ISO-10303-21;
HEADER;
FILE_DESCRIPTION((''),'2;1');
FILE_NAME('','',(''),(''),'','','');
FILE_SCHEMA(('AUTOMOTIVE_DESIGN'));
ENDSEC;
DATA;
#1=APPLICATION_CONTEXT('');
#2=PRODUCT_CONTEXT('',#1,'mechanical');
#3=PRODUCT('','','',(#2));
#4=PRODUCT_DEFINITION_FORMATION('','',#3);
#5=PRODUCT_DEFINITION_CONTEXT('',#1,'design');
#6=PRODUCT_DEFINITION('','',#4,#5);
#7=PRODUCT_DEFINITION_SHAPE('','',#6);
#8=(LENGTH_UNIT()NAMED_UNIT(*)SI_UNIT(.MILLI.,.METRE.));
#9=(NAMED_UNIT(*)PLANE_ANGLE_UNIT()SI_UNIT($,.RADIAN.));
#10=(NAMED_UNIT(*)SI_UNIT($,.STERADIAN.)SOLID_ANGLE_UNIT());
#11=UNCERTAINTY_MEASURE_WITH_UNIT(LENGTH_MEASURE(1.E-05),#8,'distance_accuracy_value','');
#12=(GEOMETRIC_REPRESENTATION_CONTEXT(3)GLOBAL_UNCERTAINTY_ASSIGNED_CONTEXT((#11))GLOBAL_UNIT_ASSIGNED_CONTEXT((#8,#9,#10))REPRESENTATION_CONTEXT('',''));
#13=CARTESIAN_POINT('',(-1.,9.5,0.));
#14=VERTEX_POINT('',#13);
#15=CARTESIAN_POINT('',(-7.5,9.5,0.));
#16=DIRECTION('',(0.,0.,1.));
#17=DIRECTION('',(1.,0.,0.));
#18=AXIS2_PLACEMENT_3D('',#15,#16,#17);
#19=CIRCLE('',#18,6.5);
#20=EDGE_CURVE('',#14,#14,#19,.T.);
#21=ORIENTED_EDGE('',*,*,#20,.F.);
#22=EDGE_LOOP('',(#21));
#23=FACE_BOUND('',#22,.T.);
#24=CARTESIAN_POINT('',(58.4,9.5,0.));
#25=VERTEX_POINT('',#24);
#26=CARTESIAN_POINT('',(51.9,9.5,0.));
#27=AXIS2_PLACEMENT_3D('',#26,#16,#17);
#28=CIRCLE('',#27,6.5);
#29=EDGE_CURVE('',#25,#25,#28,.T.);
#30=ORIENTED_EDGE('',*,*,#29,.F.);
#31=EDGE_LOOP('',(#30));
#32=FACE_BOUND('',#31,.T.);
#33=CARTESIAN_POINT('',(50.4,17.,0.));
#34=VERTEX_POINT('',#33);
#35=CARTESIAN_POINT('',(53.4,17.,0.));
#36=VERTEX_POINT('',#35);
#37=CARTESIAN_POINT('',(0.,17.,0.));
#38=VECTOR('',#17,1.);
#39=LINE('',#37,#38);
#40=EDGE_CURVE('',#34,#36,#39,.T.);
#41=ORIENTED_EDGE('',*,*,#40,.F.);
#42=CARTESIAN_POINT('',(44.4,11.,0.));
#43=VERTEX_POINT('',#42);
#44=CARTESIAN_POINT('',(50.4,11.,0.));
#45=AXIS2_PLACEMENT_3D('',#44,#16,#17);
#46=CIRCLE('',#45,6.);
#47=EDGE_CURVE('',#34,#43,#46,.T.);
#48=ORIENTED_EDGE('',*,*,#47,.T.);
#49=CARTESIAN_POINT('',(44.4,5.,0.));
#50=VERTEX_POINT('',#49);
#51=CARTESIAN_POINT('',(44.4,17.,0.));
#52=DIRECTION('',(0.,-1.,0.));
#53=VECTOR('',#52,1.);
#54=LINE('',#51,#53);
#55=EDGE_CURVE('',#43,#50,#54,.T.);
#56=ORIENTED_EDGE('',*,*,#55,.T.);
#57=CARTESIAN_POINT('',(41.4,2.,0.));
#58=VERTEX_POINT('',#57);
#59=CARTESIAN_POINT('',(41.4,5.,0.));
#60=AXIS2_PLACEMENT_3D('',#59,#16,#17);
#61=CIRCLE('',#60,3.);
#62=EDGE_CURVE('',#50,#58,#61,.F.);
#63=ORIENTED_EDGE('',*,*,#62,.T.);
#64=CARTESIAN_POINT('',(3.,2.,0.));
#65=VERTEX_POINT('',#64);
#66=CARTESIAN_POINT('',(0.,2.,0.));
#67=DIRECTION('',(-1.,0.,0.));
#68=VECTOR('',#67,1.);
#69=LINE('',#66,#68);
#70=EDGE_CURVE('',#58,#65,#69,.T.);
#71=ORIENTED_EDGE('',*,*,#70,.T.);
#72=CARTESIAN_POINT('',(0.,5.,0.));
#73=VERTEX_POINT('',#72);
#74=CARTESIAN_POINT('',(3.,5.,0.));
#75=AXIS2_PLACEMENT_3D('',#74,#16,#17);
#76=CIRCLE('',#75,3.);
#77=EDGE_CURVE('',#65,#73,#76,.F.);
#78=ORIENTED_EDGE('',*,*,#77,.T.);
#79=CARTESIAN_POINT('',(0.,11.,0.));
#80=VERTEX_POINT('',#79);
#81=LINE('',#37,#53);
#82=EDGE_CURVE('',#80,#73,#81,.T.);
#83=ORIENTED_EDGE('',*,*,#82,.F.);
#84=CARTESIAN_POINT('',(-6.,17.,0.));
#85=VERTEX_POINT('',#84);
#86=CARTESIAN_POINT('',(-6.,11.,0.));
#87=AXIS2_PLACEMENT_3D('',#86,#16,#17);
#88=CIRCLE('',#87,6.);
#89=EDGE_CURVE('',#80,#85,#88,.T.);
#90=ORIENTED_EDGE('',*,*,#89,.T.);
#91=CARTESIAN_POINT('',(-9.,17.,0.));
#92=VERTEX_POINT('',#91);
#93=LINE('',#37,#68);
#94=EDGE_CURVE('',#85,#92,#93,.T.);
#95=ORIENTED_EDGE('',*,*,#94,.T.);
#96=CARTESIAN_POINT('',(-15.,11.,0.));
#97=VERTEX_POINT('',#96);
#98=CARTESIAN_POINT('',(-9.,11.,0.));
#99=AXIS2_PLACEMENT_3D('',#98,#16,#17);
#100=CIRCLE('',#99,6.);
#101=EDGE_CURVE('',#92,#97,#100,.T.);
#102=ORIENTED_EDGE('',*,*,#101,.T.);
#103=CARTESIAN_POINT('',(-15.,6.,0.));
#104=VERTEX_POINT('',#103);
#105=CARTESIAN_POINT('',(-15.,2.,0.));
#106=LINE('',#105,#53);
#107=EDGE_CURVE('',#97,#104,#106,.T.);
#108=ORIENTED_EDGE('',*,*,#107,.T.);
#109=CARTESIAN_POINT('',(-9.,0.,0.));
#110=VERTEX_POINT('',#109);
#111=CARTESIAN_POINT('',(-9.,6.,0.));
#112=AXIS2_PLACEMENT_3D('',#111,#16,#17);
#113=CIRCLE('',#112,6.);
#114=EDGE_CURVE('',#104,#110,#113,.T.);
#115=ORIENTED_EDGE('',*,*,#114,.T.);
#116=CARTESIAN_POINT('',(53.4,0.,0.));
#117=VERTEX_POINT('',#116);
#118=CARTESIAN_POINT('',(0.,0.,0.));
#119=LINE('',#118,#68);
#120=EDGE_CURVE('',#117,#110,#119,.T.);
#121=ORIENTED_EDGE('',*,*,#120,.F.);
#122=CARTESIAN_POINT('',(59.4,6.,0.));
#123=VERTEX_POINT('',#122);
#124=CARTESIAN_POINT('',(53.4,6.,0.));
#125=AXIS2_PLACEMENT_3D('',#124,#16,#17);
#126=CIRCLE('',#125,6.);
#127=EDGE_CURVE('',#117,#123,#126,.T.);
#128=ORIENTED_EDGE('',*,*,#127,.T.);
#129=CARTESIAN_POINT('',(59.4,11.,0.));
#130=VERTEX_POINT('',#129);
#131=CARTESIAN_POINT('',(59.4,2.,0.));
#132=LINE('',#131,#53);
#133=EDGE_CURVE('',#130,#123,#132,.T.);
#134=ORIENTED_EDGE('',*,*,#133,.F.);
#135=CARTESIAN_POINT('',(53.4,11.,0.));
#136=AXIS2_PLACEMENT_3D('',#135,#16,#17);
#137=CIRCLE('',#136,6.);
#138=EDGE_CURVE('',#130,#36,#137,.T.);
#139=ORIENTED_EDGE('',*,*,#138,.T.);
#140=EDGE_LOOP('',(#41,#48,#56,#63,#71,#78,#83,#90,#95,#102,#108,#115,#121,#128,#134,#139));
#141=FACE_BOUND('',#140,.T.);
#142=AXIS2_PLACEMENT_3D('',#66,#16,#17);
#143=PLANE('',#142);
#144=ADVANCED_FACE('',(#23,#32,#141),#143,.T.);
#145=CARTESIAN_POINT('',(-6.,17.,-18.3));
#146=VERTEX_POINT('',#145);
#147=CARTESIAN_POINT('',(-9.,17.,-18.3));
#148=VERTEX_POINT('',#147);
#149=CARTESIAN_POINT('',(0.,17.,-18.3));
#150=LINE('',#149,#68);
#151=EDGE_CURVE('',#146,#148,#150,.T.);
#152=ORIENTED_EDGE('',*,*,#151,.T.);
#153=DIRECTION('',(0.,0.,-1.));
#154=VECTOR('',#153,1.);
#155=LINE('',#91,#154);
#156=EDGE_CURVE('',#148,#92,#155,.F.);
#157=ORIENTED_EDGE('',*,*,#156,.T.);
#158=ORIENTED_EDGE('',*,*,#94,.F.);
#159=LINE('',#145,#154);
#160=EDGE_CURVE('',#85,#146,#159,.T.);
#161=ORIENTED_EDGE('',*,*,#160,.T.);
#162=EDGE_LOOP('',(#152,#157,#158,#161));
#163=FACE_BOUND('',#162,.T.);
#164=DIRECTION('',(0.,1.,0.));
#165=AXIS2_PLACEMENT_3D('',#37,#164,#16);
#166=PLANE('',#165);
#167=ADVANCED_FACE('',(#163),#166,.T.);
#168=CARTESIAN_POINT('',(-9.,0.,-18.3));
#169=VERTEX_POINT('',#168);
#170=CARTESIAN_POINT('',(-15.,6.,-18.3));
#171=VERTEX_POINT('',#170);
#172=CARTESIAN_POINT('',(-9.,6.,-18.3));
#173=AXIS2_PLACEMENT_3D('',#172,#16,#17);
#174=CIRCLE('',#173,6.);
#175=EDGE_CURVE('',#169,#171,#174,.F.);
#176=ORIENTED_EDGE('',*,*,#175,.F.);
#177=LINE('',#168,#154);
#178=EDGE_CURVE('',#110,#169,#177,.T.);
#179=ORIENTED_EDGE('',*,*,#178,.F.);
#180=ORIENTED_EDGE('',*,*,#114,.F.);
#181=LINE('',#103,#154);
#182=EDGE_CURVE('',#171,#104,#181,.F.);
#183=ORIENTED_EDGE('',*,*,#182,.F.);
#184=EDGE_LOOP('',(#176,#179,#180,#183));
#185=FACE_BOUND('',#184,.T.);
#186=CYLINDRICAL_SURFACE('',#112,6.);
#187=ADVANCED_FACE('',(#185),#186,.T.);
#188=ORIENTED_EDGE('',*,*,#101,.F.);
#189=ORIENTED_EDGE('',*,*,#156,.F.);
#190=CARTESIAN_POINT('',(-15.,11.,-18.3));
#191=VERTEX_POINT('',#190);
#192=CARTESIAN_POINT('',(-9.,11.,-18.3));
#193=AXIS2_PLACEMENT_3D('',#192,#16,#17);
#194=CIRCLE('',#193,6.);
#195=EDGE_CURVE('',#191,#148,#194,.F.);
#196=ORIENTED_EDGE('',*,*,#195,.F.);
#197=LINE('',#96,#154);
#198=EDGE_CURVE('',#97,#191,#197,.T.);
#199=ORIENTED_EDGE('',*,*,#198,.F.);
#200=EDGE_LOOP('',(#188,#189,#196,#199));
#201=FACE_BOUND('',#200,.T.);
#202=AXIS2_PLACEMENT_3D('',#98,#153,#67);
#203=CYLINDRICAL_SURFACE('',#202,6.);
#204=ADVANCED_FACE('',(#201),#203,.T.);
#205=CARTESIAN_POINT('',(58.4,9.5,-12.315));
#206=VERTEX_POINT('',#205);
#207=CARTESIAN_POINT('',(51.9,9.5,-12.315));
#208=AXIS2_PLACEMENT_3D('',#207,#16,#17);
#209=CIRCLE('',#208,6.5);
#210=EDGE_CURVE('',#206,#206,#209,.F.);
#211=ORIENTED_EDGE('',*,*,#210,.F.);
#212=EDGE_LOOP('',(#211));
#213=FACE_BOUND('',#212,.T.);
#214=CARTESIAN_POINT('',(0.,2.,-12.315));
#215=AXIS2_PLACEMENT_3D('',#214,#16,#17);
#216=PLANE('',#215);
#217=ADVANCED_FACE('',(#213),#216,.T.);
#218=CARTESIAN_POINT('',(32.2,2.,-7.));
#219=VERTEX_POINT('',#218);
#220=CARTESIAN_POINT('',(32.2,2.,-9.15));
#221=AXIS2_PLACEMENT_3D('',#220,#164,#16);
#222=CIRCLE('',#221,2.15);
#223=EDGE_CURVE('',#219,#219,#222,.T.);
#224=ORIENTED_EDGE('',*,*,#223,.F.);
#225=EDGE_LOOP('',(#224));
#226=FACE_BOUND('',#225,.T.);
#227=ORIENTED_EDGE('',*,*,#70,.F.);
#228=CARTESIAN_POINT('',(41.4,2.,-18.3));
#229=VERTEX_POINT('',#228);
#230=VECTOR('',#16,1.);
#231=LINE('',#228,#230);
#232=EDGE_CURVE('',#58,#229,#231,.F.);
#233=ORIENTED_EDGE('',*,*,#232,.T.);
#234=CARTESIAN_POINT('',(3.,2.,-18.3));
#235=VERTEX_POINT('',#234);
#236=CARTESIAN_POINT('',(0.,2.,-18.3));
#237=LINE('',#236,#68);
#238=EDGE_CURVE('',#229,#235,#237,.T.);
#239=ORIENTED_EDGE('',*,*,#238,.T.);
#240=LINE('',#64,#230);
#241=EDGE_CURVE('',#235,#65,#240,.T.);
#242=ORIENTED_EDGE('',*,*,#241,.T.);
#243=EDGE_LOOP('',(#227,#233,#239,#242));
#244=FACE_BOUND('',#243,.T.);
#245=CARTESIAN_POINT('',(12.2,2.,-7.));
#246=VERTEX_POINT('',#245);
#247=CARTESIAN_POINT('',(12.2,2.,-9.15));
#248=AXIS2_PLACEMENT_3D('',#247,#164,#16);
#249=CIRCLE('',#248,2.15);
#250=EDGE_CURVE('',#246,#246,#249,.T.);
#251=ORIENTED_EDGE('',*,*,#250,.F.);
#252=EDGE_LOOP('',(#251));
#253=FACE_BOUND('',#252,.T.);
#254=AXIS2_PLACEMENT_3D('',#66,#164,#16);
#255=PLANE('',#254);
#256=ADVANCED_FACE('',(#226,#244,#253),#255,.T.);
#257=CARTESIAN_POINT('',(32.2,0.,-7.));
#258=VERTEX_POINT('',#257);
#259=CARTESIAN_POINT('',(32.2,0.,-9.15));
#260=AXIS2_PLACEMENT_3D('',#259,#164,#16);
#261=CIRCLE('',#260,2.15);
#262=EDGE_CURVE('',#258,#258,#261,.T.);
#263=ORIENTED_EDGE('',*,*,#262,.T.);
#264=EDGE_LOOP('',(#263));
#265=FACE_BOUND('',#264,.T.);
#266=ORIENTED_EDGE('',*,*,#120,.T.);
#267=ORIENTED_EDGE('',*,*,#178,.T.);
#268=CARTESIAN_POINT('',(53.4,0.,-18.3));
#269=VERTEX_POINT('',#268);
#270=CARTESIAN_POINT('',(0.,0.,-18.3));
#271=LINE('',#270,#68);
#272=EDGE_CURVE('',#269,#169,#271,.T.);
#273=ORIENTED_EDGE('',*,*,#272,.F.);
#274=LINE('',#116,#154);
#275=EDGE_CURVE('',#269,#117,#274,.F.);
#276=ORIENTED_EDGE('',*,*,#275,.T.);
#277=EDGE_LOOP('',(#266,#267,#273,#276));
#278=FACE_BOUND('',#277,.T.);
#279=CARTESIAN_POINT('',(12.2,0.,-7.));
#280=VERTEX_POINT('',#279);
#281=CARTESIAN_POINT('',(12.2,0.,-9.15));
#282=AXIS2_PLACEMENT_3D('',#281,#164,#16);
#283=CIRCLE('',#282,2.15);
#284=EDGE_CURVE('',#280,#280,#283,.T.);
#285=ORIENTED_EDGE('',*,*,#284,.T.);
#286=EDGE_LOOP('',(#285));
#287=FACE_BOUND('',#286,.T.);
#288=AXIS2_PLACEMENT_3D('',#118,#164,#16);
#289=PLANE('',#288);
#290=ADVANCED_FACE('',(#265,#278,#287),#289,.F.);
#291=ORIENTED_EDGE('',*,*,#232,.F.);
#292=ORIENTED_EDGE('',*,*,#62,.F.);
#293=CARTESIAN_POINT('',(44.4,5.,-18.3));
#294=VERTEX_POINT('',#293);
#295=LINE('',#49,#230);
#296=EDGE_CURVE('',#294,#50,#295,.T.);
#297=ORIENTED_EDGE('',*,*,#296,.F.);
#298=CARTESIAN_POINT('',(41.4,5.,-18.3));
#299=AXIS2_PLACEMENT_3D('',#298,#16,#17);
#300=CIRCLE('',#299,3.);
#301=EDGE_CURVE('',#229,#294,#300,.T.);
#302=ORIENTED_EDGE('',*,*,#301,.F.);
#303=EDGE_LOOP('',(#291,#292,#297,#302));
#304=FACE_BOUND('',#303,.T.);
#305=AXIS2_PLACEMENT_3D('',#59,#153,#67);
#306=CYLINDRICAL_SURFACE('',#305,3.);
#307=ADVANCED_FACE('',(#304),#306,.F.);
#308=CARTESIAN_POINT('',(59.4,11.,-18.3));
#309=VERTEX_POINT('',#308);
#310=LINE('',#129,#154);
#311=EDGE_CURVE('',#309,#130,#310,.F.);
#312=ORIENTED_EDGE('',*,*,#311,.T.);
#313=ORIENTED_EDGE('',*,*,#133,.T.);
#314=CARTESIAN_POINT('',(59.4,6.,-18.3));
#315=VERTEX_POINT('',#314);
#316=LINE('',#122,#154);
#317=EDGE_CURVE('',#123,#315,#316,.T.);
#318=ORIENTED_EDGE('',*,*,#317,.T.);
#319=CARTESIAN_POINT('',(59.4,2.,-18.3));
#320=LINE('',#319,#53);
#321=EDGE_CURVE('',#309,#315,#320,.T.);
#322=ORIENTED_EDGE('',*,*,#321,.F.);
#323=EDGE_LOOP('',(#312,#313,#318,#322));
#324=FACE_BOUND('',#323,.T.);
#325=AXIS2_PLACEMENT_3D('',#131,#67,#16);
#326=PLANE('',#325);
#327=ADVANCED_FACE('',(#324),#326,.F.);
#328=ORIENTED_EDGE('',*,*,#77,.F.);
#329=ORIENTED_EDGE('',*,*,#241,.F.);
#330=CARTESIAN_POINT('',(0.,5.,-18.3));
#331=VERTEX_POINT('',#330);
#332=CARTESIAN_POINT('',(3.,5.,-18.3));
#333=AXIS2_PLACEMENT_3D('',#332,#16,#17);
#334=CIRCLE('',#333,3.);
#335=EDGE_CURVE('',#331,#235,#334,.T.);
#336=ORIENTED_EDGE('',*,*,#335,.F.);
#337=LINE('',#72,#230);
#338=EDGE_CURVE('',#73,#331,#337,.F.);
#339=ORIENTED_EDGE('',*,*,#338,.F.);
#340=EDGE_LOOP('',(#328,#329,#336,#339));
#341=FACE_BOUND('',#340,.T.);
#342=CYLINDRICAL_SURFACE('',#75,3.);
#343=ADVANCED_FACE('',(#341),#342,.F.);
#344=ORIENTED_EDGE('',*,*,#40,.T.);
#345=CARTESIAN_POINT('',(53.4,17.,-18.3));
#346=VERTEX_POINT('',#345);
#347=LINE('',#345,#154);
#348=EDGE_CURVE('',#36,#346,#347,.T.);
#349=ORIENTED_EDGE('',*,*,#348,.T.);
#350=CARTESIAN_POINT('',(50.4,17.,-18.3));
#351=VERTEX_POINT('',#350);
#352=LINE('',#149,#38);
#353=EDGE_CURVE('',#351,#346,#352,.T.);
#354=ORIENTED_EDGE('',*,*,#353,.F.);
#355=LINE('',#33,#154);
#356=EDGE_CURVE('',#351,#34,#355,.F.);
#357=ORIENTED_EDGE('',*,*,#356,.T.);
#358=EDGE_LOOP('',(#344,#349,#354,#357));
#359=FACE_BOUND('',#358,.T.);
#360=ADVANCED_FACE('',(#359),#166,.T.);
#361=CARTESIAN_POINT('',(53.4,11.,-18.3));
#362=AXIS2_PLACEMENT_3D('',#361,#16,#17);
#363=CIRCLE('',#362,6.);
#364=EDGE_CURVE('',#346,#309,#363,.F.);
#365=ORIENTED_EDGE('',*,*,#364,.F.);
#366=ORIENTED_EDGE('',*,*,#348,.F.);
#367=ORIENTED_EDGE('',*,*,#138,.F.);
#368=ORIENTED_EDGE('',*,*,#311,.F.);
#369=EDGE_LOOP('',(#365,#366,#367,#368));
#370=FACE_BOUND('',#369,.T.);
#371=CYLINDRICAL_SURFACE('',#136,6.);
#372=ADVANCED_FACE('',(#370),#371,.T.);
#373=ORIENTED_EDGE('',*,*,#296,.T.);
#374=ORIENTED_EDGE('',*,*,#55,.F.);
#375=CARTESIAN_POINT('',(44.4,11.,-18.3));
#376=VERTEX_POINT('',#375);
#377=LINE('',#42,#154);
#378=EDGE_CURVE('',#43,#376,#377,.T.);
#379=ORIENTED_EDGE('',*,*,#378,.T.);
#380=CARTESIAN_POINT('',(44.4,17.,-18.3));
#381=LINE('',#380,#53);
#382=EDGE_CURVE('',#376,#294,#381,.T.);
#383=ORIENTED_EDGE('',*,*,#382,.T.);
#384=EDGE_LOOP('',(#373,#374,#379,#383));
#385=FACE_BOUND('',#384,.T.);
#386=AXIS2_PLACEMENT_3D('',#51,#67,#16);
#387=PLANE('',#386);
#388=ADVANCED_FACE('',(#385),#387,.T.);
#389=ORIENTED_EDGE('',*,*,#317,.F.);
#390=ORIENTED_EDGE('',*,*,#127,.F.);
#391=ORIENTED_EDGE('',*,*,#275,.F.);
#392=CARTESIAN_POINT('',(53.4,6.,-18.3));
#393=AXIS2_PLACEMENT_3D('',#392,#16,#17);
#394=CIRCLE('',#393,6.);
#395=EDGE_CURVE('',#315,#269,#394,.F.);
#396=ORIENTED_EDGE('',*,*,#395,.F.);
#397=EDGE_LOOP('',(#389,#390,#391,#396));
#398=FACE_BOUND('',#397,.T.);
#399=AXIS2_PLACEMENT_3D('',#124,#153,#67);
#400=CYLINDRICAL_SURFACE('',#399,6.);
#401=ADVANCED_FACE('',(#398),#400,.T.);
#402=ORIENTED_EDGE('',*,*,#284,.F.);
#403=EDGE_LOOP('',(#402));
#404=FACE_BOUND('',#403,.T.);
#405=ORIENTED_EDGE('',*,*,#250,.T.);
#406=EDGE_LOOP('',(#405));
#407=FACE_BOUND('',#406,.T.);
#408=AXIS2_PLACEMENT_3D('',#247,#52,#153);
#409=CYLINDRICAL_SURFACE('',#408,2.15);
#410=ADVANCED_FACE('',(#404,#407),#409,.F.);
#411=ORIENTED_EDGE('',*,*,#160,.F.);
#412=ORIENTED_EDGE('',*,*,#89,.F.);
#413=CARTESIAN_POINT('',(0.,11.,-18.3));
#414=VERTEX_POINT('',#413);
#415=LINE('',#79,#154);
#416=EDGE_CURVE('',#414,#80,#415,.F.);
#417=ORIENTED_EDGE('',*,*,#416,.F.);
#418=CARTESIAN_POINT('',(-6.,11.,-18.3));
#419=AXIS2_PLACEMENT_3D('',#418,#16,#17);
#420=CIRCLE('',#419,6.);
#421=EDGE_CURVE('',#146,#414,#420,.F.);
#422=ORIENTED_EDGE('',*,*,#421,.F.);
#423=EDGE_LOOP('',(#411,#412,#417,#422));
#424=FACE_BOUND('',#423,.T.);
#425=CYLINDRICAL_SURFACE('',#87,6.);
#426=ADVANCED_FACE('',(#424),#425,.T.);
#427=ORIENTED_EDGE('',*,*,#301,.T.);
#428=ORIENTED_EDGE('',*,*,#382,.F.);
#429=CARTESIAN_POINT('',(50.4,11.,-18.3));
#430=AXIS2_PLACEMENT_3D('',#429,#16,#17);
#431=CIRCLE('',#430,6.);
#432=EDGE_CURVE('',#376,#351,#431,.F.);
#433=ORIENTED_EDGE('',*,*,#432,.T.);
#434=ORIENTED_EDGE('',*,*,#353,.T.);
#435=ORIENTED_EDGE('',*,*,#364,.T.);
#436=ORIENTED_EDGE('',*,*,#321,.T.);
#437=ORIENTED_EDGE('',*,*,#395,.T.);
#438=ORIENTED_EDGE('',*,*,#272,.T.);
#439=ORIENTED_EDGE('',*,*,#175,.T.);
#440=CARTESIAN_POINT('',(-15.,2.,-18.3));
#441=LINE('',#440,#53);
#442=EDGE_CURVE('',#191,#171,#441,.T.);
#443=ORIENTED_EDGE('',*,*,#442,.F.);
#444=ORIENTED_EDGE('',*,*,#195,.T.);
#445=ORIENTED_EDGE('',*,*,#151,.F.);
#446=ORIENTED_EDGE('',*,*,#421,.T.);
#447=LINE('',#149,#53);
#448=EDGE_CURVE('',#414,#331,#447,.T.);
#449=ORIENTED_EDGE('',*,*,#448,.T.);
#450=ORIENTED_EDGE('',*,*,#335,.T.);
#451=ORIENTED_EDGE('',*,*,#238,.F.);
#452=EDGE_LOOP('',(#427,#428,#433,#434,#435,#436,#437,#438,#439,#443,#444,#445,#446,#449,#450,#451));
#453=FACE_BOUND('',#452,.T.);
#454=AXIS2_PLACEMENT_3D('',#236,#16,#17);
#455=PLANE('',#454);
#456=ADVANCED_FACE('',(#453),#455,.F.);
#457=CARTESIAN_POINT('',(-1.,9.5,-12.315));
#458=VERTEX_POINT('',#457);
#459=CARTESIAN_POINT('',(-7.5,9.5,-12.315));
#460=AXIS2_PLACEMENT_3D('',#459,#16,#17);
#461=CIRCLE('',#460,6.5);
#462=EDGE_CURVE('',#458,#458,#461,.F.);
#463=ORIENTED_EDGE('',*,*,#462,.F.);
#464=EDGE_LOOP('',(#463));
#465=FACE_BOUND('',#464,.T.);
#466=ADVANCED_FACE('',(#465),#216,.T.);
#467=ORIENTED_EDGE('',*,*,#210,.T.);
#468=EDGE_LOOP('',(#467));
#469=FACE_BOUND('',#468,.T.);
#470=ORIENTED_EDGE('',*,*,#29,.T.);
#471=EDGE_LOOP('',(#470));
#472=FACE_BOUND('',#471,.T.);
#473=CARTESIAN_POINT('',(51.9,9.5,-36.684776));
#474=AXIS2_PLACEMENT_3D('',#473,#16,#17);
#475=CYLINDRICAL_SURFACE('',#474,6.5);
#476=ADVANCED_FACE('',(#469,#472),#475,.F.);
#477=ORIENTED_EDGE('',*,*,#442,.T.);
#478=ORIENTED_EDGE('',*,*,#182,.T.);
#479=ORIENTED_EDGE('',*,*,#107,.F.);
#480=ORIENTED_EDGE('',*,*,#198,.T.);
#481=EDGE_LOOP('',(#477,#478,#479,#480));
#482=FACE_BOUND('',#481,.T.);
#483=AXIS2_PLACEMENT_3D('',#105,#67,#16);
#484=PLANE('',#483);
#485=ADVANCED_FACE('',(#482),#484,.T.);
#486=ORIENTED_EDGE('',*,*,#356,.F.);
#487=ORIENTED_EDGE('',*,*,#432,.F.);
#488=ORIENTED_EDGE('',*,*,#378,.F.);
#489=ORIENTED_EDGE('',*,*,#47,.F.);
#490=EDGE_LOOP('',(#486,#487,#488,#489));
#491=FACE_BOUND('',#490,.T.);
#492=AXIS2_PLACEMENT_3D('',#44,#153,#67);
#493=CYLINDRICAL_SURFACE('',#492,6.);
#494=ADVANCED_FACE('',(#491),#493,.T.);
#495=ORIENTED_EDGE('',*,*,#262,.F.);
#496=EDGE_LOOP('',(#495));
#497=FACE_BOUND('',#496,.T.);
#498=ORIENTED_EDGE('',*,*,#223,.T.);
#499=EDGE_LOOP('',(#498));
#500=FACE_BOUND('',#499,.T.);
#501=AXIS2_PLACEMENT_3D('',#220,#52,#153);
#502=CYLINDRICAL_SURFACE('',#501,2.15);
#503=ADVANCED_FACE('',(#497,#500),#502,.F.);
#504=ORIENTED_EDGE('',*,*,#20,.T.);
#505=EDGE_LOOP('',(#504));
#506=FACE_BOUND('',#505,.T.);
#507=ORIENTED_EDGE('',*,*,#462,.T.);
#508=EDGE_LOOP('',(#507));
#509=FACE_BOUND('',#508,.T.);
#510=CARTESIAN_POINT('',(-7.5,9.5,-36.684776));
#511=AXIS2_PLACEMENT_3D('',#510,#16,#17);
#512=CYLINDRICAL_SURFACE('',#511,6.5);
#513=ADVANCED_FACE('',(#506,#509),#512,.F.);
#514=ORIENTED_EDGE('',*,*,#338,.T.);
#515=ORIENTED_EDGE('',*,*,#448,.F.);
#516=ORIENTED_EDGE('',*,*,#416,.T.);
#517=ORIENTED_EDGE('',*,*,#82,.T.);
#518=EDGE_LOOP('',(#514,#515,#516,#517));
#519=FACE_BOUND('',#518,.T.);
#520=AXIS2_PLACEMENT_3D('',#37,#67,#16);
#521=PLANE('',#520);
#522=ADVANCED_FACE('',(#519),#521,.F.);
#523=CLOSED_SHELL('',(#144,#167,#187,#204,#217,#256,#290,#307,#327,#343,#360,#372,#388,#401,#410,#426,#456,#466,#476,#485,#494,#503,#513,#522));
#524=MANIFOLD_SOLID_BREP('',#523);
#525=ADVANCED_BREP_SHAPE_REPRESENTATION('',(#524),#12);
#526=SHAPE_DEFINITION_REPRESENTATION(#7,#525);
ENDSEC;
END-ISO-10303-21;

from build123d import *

# Parameters (mm, degrees)
SKETCH1_W           = 15
SKETCH1_H           = 18.3
SKETCH1_W_2         = 44.4
SKETCH1_R           = 2.15
BOSS_EXTRUDE1_DEPTH = 2
SKETCH1_3_W         = 15
SKETCH1_3_H         = 18.3
BOSS_EXTRUDE2_DEPTH = 17
SKETCH2_R           = 6.5
CUT_EXTRUDE2_DEPTH  = 12.315
FILLET3_R           = 6
FILLET4_R           = 3


with BuildPart() as part:
    # Sketch1 → Boss-Extrude1 (new body)
    # profile 1 of 3: a face of its own
    with BuildSketch(Plane(origin=(0, 0, 0), x_dir=(1, 0, 0), z_dir=(0, 1, 0))):
        with Locations((-7.5, 9.15)):
            Rectangle(SKETCH1_W, SKETCH1_H)
    # profile 2 of 3: a face of its own
    with BuildSketch(Plane(origin=(0, 0, 0), x_dir=(1, 0, 0), z_dir=(0, 1, 0))):
        with Locations((22.2, 9.15)):
            Rectangle(SKETCH1_W_2, SKETCH1_H)
        with Locations(Location((32.2, 9.15, 0), (0, 0, 270))):
            Circle(SKETCH1_R, mode=Mode.SUBTRACT)
        with Locations(Location((12.2, 9.15, 0), (0, 0, 270))):
            Circle(SKETCH1_R, mode=Mode.SUBTRACT)
    # profile 3 of 3: a face of its own
    with BuildSketch(Plane(origin=(0, 0, 0), x_dir=(1, 0, 0), z_dir=(0, 1, 0))):
        with Locations((51.9, 9.15)):
            Rectangle(SKETCH1_W, SKETCH1_H)
    extrude(amount=BOSS_EXTRUDE1_DEPTH)

    # Sketch1<3> → Boss-Extrude2 (add)
    with BuildSketch(Plane(origin=(0, 0, 0), x_dir=(1, 0, 0), z_dir=(0, 1, 0))):
        with Locations((51.9, 9.15)):
            Rectangle(SKETCH1_3_W, SKETCH1_3_H)
        with Locations((-7.5, 9.15)):
            Rectangle(SKETCH1_3_W, SKETCH1_3_H)
    extrude(amount=BOSS_EXTRUDE2_DEPTH)

    # Sketch2 → Cut-Extrude2 (cut)
    with BuildSketch(Plane.XY):
        with Locations((-7.5, 9.5)):
            Circle(SKETCH2_R)
        with Locations((51.9, 9.5)):
            Circle(SKETCH2_R)
    extrude(amount=-CUT_EXTRUDE2_DEPTH, mode=Mode.SUBTRACT)

    # Fillet3
    fillet3_edges = [part.edges().sort_by_distance(p)[0] for p in [
        (59.4, 0, -9.15),
        (-15, 0, -9.15),
        (44.4, 17, -9.15),
        (59.4, 17, -9.15),
        (-15, 17, -9.15),
        (0, 17, -9.15),
    ]]
    fillet(fillet3_edges, radius=FILLET3_R)

    # Fillet4
    fillet4_edges = [part.edges().sort_by_distance(p)[0] for p in [
        (44.4, 2, -9.15),
        (0, 2, -9.15),
    ]]
    fillet(fillet4_edges, radius=FILLET4_R)


solid = part.part
